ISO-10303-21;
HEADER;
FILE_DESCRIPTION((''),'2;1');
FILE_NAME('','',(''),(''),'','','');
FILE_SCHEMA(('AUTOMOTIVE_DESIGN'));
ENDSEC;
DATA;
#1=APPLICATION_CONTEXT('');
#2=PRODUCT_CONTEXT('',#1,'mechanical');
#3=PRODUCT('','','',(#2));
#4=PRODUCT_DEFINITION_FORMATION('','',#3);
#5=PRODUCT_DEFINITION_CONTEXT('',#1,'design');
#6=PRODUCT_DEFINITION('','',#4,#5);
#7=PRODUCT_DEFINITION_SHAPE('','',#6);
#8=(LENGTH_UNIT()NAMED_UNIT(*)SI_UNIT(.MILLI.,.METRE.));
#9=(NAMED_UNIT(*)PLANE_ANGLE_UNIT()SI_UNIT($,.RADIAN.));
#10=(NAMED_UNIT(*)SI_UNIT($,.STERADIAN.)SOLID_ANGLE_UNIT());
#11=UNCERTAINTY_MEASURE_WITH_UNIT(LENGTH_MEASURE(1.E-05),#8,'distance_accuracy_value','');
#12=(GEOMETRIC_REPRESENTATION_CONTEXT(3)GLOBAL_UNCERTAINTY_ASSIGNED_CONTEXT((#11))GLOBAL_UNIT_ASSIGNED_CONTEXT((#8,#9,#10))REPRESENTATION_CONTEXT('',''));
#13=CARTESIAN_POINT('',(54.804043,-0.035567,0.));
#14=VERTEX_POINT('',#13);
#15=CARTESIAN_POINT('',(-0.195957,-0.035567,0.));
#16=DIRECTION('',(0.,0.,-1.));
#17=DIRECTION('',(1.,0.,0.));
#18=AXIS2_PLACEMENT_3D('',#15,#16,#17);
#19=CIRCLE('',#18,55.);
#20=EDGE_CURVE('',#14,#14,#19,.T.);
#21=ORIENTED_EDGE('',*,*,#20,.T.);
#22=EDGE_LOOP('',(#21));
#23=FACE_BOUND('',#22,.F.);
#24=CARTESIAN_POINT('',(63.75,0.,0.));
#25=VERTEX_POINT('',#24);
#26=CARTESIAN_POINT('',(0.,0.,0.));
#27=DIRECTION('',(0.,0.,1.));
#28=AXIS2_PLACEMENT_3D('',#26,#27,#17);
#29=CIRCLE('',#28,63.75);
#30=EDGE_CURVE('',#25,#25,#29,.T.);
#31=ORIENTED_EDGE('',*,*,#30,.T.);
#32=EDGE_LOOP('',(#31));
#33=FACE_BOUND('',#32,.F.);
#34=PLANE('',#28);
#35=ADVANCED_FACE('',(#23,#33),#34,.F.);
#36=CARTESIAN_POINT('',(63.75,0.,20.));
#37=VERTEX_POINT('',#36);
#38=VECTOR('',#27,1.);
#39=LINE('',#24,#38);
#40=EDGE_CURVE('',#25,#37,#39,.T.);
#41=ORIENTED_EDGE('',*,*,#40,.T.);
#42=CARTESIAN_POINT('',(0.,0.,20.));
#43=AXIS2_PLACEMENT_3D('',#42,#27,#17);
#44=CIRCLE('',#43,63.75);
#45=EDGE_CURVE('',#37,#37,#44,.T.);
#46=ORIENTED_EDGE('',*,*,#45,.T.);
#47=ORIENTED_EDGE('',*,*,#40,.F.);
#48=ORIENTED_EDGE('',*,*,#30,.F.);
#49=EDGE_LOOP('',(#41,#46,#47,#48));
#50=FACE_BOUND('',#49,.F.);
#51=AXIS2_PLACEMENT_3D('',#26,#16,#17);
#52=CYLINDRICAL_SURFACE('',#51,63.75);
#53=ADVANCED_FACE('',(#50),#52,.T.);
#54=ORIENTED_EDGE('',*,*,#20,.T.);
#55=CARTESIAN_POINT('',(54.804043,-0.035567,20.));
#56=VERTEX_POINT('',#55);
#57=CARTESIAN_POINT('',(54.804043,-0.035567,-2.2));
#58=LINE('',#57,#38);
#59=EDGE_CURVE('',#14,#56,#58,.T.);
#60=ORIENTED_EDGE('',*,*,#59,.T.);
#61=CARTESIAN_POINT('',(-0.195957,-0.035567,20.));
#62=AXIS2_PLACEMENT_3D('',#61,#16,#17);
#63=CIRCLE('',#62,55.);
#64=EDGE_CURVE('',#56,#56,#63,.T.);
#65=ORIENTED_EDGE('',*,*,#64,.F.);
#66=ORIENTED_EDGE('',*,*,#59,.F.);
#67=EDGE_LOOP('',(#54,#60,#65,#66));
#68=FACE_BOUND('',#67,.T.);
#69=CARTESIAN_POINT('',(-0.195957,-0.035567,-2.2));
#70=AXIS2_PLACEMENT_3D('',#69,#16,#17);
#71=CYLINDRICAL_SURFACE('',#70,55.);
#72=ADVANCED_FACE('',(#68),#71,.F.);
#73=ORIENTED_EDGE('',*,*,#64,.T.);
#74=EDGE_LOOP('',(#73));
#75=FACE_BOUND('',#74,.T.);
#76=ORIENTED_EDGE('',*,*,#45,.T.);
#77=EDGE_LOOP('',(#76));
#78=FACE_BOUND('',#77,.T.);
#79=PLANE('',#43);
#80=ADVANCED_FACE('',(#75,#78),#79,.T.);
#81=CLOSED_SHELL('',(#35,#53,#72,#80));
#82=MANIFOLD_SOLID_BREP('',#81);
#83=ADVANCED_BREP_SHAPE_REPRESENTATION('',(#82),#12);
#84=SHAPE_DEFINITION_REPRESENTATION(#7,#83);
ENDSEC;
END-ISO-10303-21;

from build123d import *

# Parameters (mm, degrees)
F0_R     = 63.75
F1_DEPTH = 20
F2_R     = 55
F3_DEPTH = 25


with BuildPart() as f1:
    # F0 (on Top) → F1 (new body)
    with BuildSketch(Plane.XY):
        Circle(F0_R)
    extrude(amount=F1_DEPTH)


with BuildPart() as f3:
    # F2 (on Top) → F3 (new body)
    with BuildSketch(Plane.XY):
        with Locations((-173.995957, -105.135567)):
            Circle(F2_R)
    extrude(amount=F3_DEPTH)


with BuildPart() as f3_1:
    # F4: moved
    add(f3.part.moved(Location((173.8, 105.1, -2.2))))


with BuildPart() as f1_1:
    add(f1.part)

    # F5: cut F3
    add(f3_1.part, mode=Mode.SUBTRACT)


solid = f1_1.part
